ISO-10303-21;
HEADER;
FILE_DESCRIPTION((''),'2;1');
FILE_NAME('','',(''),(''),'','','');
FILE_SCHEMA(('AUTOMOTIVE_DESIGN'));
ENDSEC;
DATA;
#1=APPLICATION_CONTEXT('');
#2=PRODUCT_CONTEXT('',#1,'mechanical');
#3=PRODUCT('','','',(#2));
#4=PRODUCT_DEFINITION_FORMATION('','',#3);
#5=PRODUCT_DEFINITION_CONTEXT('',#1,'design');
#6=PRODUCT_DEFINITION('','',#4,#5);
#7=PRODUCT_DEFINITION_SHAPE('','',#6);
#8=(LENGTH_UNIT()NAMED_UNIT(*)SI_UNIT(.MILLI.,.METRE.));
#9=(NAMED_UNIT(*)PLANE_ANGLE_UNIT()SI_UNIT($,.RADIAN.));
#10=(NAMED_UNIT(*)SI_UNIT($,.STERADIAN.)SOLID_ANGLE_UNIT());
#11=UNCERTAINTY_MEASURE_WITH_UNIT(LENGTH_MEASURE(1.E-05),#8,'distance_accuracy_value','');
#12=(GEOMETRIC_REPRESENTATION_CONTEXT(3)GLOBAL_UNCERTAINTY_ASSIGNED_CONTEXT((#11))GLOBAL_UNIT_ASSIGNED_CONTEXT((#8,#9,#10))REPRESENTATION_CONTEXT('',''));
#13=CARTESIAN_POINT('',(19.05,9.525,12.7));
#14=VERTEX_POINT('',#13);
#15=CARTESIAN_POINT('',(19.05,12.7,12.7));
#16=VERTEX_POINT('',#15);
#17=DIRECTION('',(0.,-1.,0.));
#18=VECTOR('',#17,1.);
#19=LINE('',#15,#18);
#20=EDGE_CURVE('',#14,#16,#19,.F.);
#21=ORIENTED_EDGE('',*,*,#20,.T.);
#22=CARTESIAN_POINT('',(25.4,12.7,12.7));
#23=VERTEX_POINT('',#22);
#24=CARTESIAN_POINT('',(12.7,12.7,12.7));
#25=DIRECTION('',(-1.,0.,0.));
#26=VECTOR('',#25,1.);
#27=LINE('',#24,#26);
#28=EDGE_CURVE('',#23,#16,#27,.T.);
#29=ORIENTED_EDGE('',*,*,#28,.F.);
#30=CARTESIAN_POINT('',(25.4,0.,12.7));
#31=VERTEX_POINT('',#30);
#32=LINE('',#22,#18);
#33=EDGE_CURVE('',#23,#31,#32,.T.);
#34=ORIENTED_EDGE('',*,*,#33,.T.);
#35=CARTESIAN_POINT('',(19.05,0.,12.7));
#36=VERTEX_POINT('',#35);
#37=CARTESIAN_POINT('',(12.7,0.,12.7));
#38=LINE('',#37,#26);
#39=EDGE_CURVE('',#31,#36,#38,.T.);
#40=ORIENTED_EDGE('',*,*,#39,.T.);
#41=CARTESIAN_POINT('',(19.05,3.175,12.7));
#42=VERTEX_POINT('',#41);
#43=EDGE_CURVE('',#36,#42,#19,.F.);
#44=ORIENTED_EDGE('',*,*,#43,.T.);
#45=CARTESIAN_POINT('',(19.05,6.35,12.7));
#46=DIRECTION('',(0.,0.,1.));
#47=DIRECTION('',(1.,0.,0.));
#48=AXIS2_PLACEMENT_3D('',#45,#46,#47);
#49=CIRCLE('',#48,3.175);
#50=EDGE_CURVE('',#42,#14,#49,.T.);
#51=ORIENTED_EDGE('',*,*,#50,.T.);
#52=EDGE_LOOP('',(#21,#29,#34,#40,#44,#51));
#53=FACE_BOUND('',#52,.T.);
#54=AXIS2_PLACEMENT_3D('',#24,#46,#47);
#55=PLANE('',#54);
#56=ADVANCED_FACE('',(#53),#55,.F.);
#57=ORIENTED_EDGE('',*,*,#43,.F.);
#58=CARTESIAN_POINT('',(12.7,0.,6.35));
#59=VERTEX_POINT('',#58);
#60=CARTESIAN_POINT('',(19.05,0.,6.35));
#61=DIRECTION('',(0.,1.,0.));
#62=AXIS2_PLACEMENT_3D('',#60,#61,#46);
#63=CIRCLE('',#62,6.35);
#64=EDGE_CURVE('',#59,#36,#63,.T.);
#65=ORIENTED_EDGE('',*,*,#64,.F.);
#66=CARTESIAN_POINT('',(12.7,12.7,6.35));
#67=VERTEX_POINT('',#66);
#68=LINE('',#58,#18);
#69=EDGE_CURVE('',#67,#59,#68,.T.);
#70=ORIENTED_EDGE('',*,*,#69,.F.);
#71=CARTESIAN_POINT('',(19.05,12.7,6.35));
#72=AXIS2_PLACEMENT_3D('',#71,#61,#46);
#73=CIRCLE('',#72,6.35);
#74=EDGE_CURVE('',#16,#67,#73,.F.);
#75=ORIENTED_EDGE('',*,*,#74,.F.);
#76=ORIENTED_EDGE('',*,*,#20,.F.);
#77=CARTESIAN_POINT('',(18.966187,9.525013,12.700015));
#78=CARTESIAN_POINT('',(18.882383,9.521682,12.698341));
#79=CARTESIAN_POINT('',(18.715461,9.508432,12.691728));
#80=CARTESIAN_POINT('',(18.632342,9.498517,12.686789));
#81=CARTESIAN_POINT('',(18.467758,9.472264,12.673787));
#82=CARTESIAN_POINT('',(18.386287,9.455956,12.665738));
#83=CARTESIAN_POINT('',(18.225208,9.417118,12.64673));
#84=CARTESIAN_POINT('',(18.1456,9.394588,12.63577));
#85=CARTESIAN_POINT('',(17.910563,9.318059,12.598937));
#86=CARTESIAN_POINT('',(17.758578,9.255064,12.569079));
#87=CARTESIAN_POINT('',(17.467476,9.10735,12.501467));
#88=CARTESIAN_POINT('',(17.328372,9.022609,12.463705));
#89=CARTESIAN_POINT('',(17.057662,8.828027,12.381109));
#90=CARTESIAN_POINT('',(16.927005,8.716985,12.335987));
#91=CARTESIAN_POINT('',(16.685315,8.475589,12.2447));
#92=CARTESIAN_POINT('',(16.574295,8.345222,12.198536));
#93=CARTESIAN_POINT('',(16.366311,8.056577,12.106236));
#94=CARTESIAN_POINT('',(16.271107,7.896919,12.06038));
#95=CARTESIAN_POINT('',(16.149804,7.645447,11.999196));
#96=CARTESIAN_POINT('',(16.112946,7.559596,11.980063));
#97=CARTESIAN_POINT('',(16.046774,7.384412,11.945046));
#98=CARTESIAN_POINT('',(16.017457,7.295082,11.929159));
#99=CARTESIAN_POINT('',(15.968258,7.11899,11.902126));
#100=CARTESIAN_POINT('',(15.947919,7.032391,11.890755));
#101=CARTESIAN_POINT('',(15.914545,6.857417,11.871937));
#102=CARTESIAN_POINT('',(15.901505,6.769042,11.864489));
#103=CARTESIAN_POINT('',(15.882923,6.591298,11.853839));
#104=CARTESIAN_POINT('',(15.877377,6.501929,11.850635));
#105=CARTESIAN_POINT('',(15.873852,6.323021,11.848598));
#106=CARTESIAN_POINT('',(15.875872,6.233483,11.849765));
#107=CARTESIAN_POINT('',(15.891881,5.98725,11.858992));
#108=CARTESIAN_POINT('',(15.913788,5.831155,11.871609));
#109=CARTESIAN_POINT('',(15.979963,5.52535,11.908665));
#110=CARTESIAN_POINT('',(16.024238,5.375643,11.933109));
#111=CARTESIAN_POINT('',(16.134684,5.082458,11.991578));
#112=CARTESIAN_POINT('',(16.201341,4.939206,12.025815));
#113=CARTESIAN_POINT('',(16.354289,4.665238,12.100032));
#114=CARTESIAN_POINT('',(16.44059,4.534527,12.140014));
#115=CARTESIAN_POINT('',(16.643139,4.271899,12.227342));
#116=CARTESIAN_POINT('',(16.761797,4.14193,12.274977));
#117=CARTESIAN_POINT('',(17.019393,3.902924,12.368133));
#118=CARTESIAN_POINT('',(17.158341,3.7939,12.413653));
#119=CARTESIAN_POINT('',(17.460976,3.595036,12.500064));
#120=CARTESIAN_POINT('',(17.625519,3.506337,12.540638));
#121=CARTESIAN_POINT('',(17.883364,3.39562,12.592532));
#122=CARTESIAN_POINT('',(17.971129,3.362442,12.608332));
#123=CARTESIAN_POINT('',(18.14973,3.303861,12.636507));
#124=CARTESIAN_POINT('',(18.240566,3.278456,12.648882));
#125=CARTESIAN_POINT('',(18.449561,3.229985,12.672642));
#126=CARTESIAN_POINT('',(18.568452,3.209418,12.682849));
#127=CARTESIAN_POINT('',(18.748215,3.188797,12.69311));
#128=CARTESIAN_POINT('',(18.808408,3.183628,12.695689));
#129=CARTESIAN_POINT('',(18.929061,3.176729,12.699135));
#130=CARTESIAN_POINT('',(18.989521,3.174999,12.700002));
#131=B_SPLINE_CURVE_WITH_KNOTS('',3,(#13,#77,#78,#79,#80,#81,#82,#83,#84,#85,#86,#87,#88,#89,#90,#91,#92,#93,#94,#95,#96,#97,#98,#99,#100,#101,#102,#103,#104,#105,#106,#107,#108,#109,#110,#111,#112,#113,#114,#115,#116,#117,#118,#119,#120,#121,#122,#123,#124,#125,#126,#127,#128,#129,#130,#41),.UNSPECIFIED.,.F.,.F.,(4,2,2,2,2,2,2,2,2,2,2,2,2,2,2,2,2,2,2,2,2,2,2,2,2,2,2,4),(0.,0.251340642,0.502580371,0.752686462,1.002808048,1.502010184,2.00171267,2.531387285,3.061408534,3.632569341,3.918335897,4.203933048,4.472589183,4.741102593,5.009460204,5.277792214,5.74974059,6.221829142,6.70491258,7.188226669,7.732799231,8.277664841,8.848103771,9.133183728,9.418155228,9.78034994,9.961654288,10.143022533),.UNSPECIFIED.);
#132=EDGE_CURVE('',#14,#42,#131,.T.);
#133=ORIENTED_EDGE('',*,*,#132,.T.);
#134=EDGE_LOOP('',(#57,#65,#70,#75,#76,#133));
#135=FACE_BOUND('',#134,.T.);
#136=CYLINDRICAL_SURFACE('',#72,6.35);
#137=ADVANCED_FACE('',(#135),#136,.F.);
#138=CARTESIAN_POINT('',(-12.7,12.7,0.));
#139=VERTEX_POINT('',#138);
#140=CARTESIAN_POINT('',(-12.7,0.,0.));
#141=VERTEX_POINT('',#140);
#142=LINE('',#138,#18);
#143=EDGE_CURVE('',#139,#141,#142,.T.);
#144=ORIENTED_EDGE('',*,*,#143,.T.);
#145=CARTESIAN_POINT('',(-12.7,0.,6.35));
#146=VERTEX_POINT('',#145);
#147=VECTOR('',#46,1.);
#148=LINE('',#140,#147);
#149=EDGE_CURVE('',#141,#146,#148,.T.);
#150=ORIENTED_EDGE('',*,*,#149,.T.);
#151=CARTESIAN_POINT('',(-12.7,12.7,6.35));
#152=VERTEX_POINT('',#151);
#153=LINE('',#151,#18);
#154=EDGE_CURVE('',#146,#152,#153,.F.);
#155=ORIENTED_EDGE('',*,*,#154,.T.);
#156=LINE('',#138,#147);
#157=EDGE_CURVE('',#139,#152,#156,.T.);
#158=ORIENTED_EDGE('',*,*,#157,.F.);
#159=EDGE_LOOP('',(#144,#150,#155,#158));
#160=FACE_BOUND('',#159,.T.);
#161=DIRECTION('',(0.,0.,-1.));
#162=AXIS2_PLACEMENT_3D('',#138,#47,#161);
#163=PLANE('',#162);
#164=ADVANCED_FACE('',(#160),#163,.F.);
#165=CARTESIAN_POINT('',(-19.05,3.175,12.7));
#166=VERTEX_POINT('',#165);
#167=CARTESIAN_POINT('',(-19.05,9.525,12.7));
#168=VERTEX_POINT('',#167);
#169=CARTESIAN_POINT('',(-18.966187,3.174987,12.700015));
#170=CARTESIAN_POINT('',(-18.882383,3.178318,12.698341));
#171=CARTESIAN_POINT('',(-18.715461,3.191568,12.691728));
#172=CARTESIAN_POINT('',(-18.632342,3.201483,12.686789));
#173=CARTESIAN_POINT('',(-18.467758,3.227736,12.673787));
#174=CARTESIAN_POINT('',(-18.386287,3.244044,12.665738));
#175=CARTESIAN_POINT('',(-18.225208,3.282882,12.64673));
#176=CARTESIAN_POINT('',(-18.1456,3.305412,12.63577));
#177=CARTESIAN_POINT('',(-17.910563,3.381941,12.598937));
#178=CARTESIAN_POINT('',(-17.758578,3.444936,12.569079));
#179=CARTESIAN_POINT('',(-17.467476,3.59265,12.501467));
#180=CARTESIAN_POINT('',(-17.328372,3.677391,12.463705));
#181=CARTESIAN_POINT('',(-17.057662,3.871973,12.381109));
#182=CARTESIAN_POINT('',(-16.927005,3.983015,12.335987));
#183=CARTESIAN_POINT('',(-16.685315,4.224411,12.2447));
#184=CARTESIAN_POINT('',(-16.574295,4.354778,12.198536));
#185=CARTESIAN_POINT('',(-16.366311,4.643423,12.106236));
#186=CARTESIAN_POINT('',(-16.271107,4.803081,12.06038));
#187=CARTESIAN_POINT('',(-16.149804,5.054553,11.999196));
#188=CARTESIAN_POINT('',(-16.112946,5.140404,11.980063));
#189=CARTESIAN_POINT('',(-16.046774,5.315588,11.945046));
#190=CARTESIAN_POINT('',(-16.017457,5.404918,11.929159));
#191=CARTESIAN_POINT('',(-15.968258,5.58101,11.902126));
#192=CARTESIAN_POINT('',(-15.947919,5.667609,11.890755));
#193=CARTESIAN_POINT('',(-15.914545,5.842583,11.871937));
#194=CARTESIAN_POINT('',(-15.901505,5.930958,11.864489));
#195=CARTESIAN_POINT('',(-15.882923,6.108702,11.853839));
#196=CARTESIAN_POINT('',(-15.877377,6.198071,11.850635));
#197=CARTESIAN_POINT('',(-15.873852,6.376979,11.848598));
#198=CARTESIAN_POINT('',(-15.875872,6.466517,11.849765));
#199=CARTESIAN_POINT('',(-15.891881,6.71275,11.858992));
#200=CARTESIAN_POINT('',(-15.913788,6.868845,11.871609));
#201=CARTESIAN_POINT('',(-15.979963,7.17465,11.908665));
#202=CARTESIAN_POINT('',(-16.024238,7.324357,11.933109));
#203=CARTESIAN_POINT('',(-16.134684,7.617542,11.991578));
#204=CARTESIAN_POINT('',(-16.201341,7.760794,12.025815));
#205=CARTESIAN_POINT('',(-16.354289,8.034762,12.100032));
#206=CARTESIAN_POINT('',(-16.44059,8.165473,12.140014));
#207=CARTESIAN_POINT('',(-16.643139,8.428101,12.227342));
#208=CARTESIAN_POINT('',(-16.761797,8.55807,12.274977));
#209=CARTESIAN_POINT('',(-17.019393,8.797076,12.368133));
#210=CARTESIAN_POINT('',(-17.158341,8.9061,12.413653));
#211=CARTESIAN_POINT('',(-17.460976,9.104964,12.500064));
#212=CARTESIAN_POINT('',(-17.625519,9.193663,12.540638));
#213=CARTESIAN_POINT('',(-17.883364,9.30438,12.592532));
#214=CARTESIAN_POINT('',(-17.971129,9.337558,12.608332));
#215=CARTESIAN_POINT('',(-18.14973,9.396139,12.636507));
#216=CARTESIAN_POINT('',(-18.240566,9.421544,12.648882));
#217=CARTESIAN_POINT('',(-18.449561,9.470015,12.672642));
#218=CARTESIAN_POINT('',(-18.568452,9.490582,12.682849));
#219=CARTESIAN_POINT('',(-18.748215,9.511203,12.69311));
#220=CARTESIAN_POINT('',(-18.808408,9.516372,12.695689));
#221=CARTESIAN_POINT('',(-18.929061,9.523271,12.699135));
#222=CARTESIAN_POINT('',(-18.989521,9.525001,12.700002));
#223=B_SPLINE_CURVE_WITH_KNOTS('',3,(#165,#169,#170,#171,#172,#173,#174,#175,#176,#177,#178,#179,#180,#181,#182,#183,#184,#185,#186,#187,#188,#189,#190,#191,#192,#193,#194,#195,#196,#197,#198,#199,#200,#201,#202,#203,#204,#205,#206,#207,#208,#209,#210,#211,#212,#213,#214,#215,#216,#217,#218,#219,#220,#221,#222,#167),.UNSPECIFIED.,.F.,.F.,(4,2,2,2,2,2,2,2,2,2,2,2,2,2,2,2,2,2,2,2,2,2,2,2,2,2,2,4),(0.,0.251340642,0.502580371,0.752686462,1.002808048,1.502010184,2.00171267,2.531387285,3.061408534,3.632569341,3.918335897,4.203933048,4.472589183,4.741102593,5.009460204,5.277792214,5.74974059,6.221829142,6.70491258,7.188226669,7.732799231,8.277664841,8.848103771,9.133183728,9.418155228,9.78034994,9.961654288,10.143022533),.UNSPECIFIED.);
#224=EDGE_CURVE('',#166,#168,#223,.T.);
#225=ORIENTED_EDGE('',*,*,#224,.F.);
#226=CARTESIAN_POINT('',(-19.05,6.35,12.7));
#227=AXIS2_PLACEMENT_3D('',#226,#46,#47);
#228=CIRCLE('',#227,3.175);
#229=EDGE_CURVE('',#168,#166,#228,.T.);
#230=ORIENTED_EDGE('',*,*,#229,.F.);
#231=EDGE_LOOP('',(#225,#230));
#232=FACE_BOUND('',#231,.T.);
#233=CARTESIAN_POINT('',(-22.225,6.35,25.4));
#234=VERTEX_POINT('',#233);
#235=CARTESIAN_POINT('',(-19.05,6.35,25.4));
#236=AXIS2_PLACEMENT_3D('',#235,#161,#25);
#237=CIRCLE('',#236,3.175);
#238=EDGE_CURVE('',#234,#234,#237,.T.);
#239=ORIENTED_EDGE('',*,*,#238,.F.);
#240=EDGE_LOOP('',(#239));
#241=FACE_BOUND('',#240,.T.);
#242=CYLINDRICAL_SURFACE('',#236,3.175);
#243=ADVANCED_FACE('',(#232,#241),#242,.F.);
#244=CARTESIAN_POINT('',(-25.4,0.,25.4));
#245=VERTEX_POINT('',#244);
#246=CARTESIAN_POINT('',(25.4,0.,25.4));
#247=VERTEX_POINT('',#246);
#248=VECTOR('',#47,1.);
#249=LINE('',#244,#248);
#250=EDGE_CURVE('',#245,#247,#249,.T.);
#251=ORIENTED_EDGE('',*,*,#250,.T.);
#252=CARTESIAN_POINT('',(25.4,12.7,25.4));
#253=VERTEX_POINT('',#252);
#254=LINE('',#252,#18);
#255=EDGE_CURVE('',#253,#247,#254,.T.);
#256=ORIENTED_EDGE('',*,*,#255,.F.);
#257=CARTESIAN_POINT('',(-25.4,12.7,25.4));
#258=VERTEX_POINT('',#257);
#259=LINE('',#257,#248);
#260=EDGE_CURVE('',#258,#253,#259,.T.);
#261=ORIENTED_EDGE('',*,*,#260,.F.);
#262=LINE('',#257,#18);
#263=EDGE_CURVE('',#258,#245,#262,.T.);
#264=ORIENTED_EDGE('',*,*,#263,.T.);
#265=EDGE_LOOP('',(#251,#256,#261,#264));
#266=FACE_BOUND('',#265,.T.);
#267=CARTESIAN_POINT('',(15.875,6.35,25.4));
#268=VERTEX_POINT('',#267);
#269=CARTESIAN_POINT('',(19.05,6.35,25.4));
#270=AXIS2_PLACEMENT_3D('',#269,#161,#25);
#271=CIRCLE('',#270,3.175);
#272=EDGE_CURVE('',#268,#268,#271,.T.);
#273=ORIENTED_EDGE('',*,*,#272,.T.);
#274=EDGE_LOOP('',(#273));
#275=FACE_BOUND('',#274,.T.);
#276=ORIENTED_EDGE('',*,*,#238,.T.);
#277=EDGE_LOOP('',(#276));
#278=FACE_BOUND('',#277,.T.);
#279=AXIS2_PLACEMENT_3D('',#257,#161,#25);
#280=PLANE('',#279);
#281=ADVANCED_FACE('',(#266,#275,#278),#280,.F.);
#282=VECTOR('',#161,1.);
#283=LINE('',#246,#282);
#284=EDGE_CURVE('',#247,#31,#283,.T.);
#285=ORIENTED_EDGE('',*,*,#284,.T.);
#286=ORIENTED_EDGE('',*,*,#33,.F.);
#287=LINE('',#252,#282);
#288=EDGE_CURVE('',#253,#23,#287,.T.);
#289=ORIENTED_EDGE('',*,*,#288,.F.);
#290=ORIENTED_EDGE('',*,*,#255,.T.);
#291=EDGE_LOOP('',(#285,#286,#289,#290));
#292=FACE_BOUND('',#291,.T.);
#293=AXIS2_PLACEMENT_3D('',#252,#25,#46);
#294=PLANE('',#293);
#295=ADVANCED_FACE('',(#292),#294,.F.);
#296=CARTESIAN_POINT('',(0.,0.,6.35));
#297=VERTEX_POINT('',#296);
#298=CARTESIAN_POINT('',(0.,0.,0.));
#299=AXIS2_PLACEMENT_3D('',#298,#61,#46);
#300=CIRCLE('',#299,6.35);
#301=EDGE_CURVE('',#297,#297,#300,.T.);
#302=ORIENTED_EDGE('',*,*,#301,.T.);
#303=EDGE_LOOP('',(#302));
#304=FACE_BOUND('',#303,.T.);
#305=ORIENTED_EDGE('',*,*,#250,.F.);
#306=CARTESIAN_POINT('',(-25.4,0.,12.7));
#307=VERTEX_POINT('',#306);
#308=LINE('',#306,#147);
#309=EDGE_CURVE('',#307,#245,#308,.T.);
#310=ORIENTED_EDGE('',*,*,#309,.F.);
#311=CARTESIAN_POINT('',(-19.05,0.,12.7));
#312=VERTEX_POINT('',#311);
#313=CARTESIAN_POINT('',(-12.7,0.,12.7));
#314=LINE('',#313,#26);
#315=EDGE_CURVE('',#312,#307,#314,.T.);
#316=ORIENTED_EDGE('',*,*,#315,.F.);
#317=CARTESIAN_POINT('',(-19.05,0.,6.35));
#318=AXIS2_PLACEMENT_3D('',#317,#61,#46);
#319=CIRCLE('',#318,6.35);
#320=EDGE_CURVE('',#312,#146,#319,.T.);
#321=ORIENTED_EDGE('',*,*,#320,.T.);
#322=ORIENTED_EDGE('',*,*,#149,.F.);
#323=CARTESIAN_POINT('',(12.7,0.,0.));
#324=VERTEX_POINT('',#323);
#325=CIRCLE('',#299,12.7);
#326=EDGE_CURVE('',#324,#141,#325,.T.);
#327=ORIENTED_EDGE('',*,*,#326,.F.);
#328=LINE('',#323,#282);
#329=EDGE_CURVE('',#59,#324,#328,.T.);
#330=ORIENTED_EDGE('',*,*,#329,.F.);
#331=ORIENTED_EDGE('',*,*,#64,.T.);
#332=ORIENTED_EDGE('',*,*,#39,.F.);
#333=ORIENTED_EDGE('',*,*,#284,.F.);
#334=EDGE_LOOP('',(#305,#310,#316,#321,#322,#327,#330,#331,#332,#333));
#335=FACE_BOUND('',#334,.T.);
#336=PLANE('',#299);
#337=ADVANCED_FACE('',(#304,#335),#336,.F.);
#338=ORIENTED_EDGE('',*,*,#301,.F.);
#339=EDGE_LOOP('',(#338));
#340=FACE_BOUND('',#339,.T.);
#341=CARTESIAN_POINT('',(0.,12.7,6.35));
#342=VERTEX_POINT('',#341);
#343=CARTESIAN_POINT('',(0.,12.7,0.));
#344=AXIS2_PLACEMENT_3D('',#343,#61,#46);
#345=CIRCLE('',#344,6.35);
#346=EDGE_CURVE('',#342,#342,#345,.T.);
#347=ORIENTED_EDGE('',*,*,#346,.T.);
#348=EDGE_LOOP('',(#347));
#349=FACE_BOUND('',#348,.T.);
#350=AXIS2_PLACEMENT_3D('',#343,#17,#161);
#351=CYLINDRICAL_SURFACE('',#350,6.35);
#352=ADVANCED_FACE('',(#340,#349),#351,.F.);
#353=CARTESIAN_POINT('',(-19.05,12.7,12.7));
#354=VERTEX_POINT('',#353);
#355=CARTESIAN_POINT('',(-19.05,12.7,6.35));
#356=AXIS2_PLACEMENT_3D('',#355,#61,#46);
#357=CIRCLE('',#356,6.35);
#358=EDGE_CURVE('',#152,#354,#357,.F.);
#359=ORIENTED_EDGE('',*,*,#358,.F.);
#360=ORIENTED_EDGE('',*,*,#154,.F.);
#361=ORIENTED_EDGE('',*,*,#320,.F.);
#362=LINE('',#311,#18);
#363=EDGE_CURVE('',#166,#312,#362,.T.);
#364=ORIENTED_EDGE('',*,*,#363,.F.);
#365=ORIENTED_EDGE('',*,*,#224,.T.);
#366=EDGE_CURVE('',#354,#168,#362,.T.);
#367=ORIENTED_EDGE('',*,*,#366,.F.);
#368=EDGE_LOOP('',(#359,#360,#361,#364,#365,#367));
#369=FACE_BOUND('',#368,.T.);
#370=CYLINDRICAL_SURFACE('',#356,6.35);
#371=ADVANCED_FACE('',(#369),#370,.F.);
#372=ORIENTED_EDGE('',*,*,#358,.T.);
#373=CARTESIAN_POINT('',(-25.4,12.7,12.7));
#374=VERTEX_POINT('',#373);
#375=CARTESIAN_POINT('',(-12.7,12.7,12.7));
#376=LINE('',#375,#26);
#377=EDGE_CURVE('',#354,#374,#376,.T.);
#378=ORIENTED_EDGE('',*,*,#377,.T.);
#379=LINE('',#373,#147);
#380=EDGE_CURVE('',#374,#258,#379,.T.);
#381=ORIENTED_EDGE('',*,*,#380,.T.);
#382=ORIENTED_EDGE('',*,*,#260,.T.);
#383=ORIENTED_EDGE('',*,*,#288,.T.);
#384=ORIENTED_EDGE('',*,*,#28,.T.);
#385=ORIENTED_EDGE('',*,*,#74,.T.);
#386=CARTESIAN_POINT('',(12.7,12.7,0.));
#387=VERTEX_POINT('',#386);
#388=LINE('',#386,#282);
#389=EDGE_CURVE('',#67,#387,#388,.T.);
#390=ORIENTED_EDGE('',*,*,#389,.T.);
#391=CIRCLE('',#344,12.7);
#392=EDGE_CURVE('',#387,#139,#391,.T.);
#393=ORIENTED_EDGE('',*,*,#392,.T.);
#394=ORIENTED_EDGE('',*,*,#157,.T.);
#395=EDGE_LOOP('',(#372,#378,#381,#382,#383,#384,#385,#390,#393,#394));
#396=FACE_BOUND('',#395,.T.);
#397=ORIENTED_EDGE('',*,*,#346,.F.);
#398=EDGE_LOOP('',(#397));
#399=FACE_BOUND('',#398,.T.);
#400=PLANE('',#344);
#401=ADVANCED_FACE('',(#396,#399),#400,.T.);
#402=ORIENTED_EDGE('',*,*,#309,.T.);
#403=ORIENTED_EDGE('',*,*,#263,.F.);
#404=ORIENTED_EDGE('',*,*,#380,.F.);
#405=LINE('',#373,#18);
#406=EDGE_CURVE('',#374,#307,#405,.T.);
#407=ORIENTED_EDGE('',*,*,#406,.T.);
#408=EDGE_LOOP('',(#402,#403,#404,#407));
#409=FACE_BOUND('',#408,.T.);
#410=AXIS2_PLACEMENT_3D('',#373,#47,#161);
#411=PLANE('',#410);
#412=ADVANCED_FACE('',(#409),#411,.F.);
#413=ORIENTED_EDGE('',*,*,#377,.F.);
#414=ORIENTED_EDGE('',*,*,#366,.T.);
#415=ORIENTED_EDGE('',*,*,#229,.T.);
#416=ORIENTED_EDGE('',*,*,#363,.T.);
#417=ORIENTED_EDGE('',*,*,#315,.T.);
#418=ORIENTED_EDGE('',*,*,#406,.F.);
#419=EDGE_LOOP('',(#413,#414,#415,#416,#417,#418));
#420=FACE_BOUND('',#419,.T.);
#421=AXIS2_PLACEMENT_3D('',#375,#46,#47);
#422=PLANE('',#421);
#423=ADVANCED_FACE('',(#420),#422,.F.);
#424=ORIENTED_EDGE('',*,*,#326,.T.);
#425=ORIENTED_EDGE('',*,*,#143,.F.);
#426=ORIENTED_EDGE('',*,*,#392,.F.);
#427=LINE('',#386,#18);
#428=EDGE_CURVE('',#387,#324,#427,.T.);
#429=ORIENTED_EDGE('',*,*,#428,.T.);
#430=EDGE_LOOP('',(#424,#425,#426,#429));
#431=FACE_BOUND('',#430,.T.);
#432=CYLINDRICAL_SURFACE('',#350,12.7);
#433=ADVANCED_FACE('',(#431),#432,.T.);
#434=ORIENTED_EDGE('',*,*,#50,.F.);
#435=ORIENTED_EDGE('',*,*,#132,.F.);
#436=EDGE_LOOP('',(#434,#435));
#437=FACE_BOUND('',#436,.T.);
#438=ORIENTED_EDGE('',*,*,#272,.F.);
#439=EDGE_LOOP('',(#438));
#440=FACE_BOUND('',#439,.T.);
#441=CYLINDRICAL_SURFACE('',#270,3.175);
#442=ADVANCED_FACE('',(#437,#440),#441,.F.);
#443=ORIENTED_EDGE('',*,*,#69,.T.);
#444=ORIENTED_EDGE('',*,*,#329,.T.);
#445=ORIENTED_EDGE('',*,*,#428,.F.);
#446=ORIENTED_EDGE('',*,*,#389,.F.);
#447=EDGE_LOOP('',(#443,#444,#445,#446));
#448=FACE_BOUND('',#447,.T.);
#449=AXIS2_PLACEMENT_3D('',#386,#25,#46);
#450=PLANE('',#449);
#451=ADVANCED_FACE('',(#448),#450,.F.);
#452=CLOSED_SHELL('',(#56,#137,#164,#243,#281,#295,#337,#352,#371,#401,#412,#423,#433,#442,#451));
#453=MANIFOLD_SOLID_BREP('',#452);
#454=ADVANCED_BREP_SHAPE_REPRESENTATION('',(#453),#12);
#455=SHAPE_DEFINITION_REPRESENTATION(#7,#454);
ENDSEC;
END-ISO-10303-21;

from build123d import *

# Parameters (mm, degrees)
SKETCH1_R               = 6.35
BOSS_EXTRUDE1_DEPTH     = 12.7
FILLET1_R               = 6.35
SKETCH2_R               = 3.175
CUT_EXTRUDE1_DEPTH      = 26.4
CUT_EXTRUDE1_DEPTH_BACK = 13.7


with BuildPart() as part:
    # Sketch1 → Boss-Extrude1 (new body)
    with BuildSketch(Plane(origin=(0, 0, 0), x_dir=(1, 0, 0), z_dir=(0, 1, 0))):
        with BuildLine():
            Line((-12.7, 0), (-12.7, -12.7))
            Line((-12.7, -12.7), (-25.4, -12.7))
            Line((-25.4, -12.7), (-25.4, -25.4))
            Line((-25.4, -25.4), (25.4, -25.4))
            Line((25.4, -25.4), (25.4, -12.7))
            Line((25.4, -12.7), (12.7, -12.7))
            Line((12.7, -12.7), (12.7, 0))
            ThreePointArc((12.7, 0), (0, 12.7), (-12.7, 0))
        make_face()
        Circle(SKETCH1_R, mode=Mode.SUBTRACT)
    extrude(amount=BOSS_EXTRUDE1_DEPTH)

    # Fillet1
    fillet1_edges = [part.edges().sort_by_distance(p)[0] for p in [
        (12.7, 6.35, 12.7),
        (-12.7, 6.35, 12.7),
    ]]
    fillet(fillet1_edges, radius=FILLET1_R)

    # Sketch2 → Cut-Extrude1 (cut, two sides)
    with BuildSketch(Plane(origin=(0, 0, 12.7), x_dir=(-1, 0, 0), z_dir=(0, 0, -1))) as cut_extrude1_sk:
        with Locations((19.05, 6.35)):
            Circle(SKETCH2_R)
        with Locations((-19.05, 6.35)):
            Circle(SKETCH2_R)
    extrude(amount=CUT_EXTRUDE1_DEPTH, mode=Mode.SUBTRACT)
    extrude(cut_extrude1_sk.sketch, amount=-CUT_EXTRUDE1_DEPTH_BACK, mode=Mode.SUBTRACT)


solid = part.part
